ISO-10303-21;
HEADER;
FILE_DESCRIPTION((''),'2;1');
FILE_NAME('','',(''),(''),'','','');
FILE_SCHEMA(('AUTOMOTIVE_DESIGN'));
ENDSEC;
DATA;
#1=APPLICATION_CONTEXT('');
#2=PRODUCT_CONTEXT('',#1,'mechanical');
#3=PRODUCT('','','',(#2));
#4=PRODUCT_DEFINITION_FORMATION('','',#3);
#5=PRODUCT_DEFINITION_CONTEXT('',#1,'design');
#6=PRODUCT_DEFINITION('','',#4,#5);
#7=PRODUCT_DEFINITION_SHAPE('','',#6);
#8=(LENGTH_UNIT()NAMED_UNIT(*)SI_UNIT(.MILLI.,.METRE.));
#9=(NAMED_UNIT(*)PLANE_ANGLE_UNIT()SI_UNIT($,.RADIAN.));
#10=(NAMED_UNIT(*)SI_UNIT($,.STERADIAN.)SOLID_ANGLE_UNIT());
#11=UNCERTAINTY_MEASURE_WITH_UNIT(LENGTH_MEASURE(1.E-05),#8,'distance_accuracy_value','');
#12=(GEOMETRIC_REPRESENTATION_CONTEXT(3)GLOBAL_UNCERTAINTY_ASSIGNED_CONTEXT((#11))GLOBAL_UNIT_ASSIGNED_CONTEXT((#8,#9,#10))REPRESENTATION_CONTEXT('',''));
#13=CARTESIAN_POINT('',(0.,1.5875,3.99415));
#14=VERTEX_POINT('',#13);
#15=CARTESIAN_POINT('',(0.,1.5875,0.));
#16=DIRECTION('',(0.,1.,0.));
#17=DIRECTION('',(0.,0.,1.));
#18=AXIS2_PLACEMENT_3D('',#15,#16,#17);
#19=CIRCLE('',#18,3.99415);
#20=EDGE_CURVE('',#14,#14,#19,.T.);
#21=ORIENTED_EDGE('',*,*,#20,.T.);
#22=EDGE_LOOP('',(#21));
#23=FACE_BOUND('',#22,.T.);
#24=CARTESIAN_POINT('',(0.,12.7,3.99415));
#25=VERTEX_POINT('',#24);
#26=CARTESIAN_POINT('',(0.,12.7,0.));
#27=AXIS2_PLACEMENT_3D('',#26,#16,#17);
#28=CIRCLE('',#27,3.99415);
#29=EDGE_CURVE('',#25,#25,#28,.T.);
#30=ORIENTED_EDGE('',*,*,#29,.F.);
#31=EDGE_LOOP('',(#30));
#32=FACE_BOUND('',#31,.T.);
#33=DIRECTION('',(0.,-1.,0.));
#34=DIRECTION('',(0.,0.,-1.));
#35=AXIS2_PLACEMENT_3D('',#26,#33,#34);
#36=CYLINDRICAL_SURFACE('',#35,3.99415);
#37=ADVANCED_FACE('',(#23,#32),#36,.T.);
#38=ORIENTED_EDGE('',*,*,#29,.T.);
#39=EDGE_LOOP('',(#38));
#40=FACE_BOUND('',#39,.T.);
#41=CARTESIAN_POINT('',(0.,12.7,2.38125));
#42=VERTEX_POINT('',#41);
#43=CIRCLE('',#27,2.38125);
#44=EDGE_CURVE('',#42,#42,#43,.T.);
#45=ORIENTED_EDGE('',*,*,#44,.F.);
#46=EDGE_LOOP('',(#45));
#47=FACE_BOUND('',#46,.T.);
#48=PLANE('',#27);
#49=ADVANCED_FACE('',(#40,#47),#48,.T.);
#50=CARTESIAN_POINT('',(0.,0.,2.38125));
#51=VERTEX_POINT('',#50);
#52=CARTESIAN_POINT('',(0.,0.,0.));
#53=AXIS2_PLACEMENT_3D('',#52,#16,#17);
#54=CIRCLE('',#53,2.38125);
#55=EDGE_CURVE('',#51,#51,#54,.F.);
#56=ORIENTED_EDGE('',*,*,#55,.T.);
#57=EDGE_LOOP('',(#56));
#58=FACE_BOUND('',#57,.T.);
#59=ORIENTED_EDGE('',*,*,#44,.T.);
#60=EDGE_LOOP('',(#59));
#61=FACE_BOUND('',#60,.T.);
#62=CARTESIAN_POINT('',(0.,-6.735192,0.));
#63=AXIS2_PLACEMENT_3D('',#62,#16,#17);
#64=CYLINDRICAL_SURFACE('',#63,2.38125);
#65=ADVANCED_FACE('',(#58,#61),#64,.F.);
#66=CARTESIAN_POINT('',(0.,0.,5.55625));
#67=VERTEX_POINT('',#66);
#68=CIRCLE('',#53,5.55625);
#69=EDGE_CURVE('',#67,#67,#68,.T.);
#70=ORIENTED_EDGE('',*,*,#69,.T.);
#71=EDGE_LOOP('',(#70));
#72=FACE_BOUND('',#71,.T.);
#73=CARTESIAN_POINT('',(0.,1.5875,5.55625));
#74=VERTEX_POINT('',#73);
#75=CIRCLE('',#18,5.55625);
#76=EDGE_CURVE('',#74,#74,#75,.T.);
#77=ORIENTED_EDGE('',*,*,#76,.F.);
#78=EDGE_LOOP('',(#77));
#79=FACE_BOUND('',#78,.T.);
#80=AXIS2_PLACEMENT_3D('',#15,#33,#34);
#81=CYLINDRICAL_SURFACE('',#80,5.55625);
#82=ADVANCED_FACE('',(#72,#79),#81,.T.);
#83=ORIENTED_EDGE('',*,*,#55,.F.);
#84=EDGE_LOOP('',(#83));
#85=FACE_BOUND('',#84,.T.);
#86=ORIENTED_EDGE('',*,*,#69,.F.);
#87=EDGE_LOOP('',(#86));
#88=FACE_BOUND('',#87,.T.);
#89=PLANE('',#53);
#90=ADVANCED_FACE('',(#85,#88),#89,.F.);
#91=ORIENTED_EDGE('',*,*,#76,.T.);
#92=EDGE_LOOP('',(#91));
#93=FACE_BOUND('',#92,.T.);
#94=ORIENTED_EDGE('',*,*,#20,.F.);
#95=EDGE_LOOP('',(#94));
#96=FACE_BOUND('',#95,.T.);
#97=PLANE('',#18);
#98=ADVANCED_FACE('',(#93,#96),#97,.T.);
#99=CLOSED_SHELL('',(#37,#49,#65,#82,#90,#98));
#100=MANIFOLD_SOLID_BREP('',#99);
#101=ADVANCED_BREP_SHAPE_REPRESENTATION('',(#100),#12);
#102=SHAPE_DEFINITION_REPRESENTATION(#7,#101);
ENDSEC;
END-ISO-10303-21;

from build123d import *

# Parameters (mm, degrees)
SKETCH1_R           = 5.55625
BOSS_EXTRUDE1_DEPTH = 1.5875
SKETCH2_R           = 3.99415
BOSS_EXTRUDE2_DEPTH = 11.1125
SKETCH3_R           = 2.38125
CUT_EXTRUDE1_DEPTH  = 12.7


with BuildPart() as part:
    # Sketch1 → Boss-Extrude1 (new body)
    with BuildSketch(Plane(origin=(0, 0, 0), x_dir=(1, 0, 0), z_dir=(0, 1, 0))):
        with Locations(Location((0, 0, 0), (0, 0, 270))):
            Circle(SKETCH1_R)
    extrude(amount=BOSS_EXTRUDE1_DEPTH)

    # Sketch2 → Boss-Extrude2 (add)
    with BuildSketch(Plane(origin=(0, 1.5875, 0), x_dir=(1, 0, 0), z_dir=(0, 1, 0))):
        with Locations(Location((0, 0, 0), (0, 0, 270))):
            Circle(SKETCH2_R)
    extrude(amount=BOSS_EXTRUDE2_DEPTH)

    # Sketch3 → Cut-Extrude1 (cut)
    with BuildSketch(Plane(origin=(0, 12.7, 0), x_dir=(1, 0, 0), z_dir=(0, 1, 0))):
        with Locations(Location((0, 0, 0), (0, 0, 270))):
            Circle(SKETCH3_R)
    extrude(amount=-CUT_EXTRUDE1_DEPTH, mode=Mode.SUBTRACT)


solid = part.part
